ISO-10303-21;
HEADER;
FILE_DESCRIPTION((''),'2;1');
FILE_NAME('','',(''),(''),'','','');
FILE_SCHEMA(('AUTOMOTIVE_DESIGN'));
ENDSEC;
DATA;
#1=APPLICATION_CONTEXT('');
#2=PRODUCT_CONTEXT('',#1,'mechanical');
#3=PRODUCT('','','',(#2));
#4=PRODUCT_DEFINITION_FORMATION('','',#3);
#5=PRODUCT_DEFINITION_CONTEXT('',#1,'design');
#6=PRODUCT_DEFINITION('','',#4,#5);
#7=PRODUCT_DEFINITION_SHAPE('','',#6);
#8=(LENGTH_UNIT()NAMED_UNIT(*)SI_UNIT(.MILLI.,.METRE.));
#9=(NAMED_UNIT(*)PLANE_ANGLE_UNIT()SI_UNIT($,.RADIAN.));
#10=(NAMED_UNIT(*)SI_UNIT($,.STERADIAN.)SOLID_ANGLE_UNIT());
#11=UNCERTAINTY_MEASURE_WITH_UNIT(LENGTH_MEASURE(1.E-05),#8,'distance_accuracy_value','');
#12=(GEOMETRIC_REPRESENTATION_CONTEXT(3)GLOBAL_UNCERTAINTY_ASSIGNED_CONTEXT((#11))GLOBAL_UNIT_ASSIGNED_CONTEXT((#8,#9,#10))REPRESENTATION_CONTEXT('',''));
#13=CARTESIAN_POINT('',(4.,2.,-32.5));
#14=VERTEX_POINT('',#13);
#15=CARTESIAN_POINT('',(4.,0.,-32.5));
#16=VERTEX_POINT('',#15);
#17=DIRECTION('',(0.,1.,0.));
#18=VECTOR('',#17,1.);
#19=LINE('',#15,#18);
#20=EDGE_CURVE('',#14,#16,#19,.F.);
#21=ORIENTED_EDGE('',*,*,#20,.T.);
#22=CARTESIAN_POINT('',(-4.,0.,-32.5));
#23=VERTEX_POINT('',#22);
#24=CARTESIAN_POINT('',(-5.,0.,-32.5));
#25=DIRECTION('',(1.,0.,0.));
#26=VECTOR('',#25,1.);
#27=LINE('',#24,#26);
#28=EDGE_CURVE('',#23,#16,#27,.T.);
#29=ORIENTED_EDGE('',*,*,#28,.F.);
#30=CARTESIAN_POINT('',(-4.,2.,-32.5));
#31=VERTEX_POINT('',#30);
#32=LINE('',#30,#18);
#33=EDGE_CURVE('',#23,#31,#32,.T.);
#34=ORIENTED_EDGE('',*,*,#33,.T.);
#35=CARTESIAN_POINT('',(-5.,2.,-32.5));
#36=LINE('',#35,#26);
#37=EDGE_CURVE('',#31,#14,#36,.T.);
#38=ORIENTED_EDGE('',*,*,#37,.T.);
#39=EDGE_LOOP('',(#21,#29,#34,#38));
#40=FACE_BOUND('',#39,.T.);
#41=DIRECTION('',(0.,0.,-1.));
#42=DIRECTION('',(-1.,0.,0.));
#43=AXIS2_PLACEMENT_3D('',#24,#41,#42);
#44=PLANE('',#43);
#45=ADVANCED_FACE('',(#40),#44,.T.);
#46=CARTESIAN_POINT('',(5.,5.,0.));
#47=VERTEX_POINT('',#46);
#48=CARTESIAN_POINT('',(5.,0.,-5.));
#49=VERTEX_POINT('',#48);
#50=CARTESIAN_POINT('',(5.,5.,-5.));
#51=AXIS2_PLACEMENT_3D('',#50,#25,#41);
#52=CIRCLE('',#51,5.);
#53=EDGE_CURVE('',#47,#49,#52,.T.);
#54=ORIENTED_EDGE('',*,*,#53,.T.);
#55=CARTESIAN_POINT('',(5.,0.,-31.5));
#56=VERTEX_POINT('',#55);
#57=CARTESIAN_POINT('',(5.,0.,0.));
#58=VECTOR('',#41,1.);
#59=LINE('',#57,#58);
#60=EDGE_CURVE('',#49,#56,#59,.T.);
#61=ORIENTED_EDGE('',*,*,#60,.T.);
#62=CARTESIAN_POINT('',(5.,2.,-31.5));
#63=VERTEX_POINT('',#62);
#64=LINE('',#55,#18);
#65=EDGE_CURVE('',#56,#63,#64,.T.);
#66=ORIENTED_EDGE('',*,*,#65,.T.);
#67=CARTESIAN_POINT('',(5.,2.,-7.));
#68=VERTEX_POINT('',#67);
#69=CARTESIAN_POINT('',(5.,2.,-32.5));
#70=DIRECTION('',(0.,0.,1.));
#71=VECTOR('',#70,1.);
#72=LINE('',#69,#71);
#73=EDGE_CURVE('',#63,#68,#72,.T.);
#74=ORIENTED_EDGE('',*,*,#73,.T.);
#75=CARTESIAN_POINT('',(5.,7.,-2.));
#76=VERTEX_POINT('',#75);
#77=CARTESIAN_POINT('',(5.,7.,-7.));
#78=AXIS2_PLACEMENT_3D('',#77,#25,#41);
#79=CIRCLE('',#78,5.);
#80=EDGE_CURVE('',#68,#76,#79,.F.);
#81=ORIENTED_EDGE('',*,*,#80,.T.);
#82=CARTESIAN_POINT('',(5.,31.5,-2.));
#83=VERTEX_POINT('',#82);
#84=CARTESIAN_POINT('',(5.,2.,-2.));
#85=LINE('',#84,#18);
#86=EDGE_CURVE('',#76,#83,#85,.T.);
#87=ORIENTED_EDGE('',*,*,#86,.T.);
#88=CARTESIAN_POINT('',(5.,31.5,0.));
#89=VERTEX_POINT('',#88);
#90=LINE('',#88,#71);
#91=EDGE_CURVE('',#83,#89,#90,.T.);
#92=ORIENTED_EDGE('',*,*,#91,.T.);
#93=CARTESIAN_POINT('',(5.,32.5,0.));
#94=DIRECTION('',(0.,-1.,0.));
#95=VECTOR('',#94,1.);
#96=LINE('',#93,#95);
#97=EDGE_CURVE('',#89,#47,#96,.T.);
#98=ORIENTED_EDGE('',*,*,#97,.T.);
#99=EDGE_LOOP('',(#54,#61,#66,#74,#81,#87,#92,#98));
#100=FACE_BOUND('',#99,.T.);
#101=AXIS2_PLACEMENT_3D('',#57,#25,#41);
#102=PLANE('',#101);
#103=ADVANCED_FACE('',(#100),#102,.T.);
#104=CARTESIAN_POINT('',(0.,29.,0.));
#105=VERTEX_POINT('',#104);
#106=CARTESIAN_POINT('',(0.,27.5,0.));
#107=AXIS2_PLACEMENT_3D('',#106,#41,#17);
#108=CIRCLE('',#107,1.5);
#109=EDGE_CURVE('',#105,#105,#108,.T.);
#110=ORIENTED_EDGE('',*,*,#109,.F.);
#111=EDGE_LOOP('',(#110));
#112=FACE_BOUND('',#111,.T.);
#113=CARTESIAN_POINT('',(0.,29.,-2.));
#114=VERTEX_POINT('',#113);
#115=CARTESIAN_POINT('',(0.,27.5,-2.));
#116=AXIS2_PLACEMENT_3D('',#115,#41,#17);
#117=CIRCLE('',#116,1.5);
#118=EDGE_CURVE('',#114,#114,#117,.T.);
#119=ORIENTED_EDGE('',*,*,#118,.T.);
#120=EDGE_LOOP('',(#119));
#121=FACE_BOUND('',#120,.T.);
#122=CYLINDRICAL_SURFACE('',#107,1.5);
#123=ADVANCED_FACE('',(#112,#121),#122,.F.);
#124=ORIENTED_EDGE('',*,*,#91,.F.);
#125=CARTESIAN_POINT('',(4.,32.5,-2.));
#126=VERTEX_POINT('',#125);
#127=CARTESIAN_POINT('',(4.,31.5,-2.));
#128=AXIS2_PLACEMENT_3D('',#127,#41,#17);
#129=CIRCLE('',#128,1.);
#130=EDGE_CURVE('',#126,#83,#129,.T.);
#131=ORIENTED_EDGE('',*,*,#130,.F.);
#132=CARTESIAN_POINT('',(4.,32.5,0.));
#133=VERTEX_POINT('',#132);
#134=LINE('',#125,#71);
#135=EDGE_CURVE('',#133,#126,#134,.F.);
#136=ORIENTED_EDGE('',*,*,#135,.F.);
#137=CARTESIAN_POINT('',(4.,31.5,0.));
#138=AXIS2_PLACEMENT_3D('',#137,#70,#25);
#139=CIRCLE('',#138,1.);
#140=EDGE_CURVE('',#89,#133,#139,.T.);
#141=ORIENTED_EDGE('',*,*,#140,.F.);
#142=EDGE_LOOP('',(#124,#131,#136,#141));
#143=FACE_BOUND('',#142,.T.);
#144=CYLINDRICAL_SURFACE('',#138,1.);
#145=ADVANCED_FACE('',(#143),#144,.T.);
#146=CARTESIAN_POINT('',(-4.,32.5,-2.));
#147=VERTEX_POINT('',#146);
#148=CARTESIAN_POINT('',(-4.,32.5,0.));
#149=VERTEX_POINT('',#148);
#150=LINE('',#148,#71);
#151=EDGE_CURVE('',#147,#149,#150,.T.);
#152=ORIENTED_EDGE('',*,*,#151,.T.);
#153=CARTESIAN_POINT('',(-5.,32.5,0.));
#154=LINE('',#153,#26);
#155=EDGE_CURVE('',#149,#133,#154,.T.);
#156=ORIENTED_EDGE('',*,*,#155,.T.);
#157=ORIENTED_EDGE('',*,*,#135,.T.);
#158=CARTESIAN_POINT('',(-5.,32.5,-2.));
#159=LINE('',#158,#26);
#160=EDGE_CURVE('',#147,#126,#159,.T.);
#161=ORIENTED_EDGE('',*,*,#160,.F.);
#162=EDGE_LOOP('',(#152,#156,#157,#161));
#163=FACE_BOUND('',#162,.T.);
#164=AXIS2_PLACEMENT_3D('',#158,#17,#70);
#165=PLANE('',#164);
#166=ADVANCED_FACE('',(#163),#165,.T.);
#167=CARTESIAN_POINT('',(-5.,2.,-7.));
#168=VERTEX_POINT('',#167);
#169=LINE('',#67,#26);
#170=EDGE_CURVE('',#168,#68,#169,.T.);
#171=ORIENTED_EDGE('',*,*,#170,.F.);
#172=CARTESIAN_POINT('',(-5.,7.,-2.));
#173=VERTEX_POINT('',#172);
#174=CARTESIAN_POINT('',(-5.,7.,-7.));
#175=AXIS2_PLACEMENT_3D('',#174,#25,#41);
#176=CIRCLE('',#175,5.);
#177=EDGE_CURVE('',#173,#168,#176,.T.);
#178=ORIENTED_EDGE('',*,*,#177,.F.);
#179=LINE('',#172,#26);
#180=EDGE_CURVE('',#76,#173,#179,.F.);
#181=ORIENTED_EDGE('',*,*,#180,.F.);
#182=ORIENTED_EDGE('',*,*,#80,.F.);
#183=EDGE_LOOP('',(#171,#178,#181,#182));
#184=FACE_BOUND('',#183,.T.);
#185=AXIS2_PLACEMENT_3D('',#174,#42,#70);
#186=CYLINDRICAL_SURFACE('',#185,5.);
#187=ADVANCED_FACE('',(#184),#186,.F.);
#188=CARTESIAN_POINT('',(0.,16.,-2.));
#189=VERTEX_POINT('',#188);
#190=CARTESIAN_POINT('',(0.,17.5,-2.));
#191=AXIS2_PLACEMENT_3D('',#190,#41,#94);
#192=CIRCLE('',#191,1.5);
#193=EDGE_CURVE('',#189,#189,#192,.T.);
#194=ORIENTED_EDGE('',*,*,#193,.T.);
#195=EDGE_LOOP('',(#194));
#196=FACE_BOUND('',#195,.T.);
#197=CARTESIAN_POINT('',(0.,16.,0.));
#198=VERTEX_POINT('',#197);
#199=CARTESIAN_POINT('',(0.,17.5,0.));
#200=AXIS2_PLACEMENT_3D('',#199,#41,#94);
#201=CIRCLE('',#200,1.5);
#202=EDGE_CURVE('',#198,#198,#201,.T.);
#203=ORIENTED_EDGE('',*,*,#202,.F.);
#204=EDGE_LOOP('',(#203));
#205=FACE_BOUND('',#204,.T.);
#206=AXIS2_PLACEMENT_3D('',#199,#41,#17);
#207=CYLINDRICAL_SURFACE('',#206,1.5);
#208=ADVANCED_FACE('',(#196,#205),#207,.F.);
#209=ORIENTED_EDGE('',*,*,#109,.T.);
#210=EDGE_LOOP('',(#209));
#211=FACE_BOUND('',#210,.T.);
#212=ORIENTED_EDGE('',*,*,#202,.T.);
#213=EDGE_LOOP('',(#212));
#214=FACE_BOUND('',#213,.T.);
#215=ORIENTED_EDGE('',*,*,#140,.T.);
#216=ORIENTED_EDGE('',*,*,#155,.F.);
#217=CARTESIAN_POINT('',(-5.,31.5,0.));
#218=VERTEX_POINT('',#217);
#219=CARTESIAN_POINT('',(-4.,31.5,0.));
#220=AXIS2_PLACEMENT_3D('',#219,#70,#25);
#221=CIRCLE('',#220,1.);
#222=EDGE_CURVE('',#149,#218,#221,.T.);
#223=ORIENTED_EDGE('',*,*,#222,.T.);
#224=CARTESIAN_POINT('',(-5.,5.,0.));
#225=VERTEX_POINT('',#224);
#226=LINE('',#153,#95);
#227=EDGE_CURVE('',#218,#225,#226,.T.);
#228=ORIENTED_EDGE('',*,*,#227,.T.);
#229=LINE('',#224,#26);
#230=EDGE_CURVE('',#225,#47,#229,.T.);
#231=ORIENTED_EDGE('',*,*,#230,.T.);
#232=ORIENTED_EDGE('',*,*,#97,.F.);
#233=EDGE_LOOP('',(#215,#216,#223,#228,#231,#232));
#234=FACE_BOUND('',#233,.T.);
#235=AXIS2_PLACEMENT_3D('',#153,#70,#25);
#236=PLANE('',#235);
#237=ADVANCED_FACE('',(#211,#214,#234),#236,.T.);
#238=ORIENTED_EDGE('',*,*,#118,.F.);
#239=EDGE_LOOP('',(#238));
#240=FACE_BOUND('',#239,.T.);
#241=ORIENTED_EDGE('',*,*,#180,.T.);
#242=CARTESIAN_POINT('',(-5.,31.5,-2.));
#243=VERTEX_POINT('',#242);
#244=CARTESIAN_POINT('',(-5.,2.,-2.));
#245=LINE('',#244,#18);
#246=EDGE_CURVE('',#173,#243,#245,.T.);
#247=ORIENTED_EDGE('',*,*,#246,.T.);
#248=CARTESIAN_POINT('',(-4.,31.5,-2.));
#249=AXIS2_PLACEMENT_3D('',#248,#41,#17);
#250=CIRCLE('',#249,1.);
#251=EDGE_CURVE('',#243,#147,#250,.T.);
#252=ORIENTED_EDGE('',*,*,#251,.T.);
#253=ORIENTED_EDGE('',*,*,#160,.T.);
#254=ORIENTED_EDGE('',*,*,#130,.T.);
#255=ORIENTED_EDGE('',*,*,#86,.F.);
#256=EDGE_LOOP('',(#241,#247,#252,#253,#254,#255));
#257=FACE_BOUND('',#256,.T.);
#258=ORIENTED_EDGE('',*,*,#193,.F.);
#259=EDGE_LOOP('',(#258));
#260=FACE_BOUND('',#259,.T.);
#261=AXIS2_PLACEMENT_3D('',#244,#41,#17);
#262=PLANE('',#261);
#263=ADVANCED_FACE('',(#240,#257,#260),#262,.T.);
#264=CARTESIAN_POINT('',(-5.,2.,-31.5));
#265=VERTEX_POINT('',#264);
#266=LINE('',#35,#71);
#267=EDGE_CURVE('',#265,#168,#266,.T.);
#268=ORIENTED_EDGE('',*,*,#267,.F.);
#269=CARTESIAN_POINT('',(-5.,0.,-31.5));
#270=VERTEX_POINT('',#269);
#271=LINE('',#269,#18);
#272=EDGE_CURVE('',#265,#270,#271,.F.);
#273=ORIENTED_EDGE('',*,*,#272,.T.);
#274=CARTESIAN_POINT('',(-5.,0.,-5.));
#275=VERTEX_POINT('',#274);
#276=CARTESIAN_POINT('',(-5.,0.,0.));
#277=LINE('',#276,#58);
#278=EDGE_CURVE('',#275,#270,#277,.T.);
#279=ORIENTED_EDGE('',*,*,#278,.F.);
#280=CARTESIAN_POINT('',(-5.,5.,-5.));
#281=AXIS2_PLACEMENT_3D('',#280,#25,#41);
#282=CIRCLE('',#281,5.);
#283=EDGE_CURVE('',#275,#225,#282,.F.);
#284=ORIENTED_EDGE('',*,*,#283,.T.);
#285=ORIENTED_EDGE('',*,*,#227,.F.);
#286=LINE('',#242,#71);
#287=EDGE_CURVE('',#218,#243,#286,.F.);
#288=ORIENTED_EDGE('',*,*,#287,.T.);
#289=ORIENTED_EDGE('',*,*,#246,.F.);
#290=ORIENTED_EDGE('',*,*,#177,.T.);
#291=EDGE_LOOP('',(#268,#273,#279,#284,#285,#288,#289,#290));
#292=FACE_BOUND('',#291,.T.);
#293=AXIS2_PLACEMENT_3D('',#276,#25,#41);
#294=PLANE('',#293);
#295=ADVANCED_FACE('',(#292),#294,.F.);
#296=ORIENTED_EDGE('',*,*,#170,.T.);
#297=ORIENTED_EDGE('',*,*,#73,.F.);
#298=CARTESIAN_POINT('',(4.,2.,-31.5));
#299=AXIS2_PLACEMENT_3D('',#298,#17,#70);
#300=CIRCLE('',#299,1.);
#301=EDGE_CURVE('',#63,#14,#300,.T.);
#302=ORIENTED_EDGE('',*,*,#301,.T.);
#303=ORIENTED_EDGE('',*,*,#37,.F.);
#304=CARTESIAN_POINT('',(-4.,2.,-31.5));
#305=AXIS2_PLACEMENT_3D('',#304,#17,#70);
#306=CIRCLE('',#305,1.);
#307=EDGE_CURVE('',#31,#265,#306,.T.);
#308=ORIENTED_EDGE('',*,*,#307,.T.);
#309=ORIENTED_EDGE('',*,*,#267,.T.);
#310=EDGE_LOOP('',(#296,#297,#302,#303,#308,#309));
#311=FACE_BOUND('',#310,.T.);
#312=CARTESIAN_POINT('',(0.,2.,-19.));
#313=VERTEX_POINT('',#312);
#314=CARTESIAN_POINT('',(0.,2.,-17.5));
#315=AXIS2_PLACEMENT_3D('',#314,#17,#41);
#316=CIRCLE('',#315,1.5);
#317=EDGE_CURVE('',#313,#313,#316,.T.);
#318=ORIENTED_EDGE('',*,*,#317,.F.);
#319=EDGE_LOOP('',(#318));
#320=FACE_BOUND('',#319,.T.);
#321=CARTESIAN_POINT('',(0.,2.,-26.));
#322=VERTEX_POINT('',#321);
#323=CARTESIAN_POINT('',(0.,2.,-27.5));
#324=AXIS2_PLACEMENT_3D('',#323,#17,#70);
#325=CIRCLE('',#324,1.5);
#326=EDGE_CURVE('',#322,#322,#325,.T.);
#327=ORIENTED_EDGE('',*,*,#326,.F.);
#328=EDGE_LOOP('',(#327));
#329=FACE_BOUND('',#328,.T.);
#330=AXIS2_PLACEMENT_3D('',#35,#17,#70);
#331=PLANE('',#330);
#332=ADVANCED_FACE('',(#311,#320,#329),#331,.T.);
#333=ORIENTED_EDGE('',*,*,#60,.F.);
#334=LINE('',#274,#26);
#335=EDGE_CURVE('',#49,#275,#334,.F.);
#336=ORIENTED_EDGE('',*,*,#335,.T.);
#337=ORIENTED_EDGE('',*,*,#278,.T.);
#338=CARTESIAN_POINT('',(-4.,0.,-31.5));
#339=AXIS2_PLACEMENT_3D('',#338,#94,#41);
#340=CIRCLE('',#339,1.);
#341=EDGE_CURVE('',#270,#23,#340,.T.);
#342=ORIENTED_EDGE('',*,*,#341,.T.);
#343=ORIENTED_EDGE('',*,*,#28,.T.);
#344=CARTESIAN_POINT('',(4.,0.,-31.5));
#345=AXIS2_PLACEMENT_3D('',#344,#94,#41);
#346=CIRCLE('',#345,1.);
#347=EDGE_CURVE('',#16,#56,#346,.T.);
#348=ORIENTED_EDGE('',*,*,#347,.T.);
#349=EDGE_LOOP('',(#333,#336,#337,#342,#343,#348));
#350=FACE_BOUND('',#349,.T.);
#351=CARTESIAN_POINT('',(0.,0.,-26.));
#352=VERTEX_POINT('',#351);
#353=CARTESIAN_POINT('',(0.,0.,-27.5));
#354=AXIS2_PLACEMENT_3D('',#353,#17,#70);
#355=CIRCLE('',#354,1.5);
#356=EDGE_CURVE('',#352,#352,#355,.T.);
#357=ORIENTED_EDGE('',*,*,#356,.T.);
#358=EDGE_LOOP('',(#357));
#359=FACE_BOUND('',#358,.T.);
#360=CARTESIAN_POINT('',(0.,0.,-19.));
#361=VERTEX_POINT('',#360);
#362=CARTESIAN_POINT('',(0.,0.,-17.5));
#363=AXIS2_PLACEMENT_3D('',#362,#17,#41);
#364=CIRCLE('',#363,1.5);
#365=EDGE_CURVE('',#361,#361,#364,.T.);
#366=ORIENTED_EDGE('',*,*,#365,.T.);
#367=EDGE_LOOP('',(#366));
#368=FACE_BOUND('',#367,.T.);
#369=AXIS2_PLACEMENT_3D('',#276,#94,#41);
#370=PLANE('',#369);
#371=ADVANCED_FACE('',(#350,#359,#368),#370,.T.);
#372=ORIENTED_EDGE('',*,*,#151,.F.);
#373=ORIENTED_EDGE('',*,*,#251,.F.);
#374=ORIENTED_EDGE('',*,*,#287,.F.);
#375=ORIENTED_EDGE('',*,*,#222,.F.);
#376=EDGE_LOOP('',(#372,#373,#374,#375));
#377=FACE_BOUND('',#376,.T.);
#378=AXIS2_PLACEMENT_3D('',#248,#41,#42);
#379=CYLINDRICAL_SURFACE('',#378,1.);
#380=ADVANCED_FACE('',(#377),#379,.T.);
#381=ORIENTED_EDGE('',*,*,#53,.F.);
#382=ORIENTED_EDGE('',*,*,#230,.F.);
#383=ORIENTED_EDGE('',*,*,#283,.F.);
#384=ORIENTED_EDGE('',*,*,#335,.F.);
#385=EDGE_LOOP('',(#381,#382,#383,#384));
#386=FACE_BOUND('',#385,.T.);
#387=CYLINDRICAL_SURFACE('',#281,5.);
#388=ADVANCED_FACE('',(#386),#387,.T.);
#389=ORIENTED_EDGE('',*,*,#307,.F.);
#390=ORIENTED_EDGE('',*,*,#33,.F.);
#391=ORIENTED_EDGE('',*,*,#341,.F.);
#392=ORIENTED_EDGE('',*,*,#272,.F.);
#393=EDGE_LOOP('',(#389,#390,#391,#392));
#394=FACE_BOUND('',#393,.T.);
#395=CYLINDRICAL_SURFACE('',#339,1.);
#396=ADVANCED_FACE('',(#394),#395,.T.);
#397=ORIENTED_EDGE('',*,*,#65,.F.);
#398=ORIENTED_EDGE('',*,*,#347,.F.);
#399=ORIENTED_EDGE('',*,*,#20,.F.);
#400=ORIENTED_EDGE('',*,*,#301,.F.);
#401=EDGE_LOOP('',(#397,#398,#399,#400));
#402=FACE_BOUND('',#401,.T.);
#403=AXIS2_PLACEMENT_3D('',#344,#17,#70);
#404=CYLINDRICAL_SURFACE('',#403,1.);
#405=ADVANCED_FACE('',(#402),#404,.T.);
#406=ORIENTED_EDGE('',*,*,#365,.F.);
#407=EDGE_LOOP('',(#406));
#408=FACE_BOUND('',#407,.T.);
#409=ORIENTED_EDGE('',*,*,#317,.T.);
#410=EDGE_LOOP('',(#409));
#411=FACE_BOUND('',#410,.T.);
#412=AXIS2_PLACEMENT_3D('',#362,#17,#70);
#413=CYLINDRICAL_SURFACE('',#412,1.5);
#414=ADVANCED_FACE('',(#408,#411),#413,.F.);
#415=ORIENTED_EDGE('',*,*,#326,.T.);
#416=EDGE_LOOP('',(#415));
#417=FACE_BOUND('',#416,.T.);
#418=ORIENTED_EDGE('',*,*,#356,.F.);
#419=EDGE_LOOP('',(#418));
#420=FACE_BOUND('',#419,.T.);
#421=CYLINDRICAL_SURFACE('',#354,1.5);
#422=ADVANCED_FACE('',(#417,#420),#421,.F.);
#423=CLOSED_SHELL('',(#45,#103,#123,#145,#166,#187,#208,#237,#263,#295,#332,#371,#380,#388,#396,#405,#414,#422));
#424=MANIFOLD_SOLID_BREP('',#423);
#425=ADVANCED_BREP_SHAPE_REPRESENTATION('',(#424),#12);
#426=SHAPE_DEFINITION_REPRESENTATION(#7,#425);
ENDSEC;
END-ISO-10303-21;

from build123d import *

# Parameters (mm, degrees)
EXTRUDE_1_DEPTH      = 5
EXTRUDE_1_DEPTH_BACK = 5
SKETCH_2_R           = 1.5
CUT_EXTRUDE_1_DEPTH  = 45.849749163
SKETCH_3_R           = 1.5
CUT_EXTRUDE_2_DEPTH  = 45.849749163
FILLET_1_R           = 1
FILLET_2_R           = 5


with BuildPart() as part:
    # Эскиз1 → Бобышка-Вытянуть1 (new, two sides: drawn at the far end of the back side and taken through both)
    with BuildSketch(Plane(origin=(0, 0, 0), x_dir=(0, 0, -1), z_dir=(1, 0, 0)).offset(-EXTRUDE_1_DEPTH_BACK)):
        Polygon((0, 32.5), (0, 0), (32.5, 0), (32.5, 2), (2, 2), (2, 32.5), align=None)
    extrude(amount=EXTRUDE_1_DEPTH + EXTRUDE_1_DEPTH_BACK)

    # Эскиз2 → Вырез-Вытянуть1 (cut, through all)
    with BuildSketch(Plane(origin=(0, 2, 0), x_dir=(1, 0, 0), z_dir=(0, 1, 0))):
        with Locations((0, 27.5)):
            Circle(SKETCH_2_R)
        with Locations((0, 17.5)):
            Circle(SKETCH_2_R)
    extrude(amount=-CUT_EXTRUDE_1_DEPTH, mode=Mode.SUBTRACT)

    # Эскиз3 → Вырез-Вытянуть2 (cut, through all)
    with BuildSketch(Plane(origin=(0, 0, -2), x_dir=(-1, 0, 0), z_dir=(0, 0, -1))):
        with Locations((0, 27.5)):
            Circle(SKETCH_3_R)
        with Locations((0, 17.5)):
            Circle(SKETCH_3_R)
    extrude(amount=-CUT_EXTRUDE_2_DEPTH, mode=Mode.SUBTRACT)

    # Скругление1
    fillet_1_edges = [part.edges().sort_by_distance(p)[0] for p in [
        (-5, 1, -32.5),
        (5, 1, -32.5),
        (5, 32.5, -1),
        (-5, 32.5, -1),
    ]]
    fillet(fillet_1_edges, radius=FILLET_1_R)

    # Скругление2
    fillet_2_edges = [part.edges().sort_by_distance(p)[0] for p in [
        (0, 0, 0),
        (0, 2, -2),
    ]]
    fillet(fillet_2_edges, radius=FILLET_2_R)


solid = part.part
